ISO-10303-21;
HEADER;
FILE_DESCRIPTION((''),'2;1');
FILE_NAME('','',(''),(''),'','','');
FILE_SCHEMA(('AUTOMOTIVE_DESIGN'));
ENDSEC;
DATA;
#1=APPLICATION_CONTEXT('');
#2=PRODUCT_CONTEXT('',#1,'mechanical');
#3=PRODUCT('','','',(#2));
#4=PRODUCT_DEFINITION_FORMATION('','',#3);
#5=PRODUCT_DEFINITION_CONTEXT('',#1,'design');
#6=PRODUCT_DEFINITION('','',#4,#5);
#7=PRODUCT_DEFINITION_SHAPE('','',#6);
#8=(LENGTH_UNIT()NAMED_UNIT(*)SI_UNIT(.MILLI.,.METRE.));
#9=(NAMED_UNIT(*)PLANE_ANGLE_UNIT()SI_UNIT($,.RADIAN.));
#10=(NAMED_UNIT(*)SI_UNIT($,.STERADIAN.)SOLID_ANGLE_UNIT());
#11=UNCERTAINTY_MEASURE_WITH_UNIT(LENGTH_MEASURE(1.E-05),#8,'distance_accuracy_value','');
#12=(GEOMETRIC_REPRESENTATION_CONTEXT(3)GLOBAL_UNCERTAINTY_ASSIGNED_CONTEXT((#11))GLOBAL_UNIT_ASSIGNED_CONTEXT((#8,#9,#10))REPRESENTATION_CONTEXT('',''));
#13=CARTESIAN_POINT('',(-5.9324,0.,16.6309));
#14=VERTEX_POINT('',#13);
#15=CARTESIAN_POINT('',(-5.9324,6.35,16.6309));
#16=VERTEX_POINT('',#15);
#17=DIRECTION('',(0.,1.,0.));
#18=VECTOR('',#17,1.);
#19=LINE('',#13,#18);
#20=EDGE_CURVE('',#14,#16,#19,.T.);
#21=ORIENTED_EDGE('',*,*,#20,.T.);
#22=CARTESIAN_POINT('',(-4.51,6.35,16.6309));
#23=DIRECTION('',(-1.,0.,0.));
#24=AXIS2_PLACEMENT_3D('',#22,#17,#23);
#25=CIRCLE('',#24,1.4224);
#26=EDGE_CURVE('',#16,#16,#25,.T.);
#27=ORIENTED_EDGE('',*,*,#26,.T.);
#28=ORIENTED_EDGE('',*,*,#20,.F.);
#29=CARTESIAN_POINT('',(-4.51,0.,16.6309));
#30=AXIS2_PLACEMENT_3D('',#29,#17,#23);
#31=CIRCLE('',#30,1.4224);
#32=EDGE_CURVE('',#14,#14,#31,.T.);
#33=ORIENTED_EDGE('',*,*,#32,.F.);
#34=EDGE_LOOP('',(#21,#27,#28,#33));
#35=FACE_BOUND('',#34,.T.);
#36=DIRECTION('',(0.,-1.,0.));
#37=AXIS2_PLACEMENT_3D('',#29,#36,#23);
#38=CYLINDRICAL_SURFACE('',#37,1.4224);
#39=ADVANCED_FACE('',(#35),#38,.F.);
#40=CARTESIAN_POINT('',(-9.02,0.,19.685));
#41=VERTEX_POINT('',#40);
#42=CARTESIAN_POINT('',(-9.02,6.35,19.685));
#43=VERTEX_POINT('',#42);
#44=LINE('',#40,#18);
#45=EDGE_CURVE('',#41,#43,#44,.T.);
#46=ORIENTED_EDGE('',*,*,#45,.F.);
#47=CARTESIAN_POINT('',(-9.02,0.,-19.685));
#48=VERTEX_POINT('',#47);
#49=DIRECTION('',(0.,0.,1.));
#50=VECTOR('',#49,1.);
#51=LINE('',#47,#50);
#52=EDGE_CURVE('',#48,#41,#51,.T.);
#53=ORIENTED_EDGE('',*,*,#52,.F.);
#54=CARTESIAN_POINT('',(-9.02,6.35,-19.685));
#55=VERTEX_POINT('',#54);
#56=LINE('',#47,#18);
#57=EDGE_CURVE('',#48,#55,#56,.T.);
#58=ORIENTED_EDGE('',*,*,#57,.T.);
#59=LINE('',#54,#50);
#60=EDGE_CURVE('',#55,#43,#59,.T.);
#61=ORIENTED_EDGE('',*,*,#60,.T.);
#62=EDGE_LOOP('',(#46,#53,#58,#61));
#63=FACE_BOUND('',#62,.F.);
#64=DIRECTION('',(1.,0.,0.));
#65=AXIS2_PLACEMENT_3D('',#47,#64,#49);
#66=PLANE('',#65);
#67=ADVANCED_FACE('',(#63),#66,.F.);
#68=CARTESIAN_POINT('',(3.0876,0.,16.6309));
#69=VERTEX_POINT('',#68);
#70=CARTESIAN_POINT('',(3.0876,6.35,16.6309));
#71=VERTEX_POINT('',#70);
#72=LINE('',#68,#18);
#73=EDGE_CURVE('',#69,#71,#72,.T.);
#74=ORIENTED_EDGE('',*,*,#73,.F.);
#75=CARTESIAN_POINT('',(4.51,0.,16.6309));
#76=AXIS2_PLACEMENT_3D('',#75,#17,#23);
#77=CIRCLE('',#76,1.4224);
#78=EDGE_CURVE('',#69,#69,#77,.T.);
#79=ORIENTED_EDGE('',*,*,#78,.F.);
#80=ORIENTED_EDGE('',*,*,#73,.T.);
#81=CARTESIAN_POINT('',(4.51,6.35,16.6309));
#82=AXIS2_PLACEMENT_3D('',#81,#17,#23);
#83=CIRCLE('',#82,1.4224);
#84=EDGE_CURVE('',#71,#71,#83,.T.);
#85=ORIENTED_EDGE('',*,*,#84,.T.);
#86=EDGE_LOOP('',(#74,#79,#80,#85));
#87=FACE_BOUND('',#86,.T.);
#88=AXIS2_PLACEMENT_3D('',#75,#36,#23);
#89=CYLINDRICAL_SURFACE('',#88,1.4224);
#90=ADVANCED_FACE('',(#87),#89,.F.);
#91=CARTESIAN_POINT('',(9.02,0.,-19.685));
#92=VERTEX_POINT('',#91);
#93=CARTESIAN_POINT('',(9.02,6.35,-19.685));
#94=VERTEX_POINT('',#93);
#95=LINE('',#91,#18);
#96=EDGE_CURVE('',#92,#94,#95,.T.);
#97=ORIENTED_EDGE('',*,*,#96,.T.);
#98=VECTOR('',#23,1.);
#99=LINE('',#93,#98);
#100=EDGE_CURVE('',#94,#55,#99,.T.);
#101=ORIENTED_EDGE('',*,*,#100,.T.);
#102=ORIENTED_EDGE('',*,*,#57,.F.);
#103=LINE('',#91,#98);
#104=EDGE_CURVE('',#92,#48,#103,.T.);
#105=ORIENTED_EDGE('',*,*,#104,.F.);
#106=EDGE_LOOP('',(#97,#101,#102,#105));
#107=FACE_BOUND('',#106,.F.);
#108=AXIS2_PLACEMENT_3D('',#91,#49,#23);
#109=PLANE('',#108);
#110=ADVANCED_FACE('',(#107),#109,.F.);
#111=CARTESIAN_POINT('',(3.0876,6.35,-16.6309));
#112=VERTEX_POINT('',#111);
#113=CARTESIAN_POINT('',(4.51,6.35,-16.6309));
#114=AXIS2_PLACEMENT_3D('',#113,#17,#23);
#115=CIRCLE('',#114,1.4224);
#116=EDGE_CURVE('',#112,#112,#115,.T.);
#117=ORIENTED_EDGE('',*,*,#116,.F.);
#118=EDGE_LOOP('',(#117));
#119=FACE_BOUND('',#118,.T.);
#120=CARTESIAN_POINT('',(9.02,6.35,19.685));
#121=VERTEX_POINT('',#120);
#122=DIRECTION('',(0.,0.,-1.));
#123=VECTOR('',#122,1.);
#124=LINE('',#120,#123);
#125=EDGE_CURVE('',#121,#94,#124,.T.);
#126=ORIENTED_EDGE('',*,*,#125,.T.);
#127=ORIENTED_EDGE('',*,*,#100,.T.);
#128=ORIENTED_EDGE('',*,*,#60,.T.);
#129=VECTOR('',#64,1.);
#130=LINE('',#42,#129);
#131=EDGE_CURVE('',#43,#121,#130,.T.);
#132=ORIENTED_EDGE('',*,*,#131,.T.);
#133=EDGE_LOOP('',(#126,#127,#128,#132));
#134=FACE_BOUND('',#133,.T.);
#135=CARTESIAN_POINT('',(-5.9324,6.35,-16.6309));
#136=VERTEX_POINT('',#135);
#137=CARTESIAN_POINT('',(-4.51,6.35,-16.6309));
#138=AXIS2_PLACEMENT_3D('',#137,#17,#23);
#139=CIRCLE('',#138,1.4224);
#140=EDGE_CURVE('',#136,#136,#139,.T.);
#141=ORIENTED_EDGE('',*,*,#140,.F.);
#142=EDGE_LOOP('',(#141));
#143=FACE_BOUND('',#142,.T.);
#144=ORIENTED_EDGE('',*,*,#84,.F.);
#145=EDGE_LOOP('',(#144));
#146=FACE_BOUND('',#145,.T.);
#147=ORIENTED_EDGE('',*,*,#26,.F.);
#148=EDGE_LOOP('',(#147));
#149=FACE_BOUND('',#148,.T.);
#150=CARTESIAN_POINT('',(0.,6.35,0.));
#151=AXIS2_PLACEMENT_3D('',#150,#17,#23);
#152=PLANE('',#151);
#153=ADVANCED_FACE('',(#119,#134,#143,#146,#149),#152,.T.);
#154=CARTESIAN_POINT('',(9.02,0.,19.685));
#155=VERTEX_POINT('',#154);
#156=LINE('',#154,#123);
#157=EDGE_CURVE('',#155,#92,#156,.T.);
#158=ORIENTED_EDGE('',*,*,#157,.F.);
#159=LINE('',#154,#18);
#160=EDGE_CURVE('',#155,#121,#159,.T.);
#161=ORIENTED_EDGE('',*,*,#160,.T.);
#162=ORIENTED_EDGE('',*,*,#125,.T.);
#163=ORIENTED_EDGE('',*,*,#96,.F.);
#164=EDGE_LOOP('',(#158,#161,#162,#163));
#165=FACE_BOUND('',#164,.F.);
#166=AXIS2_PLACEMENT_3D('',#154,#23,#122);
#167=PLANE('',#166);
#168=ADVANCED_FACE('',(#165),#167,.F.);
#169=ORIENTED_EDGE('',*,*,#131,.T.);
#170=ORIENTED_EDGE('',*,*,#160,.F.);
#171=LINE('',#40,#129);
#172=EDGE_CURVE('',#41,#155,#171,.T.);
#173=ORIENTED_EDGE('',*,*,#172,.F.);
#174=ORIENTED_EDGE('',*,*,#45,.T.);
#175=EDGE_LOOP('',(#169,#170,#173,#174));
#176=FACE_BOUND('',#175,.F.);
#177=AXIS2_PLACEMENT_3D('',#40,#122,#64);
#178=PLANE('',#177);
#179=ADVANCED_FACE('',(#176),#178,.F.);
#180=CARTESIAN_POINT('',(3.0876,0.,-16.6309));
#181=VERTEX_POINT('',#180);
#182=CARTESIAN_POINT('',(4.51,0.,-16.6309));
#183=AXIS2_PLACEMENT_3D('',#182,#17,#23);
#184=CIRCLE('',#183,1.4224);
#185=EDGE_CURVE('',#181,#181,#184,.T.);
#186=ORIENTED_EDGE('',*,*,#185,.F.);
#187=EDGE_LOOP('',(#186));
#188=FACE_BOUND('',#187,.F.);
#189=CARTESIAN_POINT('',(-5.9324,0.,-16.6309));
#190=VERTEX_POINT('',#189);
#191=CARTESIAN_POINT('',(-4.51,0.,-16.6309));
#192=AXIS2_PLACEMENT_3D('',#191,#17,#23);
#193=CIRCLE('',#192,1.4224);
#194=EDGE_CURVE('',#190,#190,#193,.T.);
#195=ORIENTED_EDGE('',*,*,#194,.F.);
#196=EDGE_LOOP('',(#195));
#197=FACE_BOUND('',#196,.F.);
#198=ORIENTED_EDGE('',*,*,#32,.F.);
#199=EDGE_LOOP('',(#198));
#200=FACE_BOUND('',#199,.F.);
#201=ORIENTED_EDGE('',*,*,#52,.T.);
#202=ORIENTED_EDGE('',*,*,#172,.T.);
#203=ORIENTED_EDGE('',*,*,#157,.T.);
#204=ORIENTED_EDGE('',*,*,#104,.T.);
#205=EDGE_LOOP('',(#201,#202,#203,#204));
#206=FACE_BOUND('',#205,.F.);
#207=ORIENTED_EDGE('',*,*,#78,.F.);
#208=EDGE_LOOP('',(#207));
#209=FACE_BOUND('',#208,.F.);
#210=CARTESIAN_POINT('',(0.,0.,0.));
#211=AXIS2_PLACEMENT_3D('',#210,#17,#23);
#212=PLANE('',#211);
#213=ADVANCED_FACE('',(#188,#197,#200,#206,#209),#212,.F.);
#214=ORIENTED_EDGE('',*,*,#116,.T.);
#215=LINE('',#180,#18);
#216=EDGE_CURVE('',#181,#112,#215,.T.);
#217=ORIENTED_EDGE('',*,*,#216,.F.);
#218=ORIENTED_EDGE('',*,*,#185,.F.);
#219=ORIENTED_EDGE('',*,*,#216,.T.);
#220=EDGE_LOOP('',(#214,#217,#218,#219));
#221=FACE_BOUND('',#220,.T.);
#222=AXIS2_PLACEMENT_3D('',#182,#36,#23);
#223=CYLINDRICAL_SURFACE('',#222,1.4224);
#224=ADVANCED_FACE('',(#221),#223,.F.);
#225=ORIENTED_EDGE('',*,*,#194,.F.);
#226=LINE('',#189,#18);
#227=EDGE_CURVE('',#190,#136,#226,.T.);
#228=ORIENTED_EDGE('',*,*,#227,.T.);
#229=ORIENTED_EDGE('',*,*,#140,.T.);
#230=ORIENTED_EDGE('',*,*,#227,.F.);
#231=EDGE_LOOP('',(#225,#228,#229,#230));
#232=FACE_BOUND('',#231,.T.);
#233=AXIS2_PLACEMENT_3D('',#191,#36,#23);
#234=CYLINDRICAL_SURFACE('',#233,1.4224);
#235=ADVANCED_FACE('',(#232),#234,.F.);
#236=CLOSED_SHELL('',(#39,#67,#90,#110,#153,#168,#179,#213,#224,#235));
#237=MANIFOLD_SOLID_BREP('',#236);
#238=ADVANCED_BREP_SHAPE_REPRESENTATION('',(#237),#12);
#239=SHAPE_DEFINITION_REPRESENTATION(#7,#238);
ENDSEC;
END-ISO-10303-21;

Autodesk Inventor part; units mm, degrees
ref_plane "YZ Plane" through (0, 0, 0) normal (1, 0, 0) x (0, 1, 0)
ref_plane "XZ Plane" through (0, 0, 0) normal (0, 1, 0) x (-1, 0, 0)
ref_plane "XY Plane" through (0, 0, 0) normal (0, 0, 1) x (1, 0, 0)
sketch "Sketch1" plane through (0, 0, 0) normal (0, 1, 0) x (-1, 0, 0)
  line L0 (9.02, 19.685) -> (-9.02, 19.685)
  line L1 (-9.02, 19.685) -> (-9.02, -19.685)
  line L2 (-9.02, -19.685) -> (9.02, -19.685)
  line L3 (9.02, -19.685) -> (9.02, 19.685)
  circle A0 centre (4.51, 16.6309) radius 1.4224
  circle A1 centre (-4.51, 16.6309) radius 1.4224
  circle A2 centre (4.51, -16.6309) radius 1.4224
  circle A3 centre (-4.51, -16.6309) radius 1.4224
  point P0 (0, 0)
  dimension "d0" = 39.37
  dimension "d1" = 19.685
  dimension "d2" = 18.04
  dimension "d3" = 9.02
  dimension "d4" = 4.51
  dimension "d5" = 3.0541
  dimension "d6" = 2.8448
  dimension "d7" = 3.0541
  dimension "d8" = 3.0541
  dimension "d9" = 3.0541
  dimension "d10" = 2.8448
  dimension "d11" = 2.8448
  dimension "d12" = 2.8448
  dimension "d13" = 4.51
  dimension "d14" = 4.51
  dimension "d15" = 4.51
extrude "Extrusion1" add sketch "Sketch1" along normal blind 6.35
equation "\"d1\" = 0.5 * d0"
equation "\"d3\" = 0.5 * d2"
equation "\"d7\" = d5"
equation "\"d8\" = d5"
equation "\"d9\" = d5"
equation "\"d10\" = d6"
equation "\"d11\" = d10"
equation "\"d12\" = d6"
equation "\"d13\" = d4"
equation "\"d14\" = d4"
equation "\"d15\" = d4"
properties part number "MotorMountSpacer" material "Aluminum 6061"
